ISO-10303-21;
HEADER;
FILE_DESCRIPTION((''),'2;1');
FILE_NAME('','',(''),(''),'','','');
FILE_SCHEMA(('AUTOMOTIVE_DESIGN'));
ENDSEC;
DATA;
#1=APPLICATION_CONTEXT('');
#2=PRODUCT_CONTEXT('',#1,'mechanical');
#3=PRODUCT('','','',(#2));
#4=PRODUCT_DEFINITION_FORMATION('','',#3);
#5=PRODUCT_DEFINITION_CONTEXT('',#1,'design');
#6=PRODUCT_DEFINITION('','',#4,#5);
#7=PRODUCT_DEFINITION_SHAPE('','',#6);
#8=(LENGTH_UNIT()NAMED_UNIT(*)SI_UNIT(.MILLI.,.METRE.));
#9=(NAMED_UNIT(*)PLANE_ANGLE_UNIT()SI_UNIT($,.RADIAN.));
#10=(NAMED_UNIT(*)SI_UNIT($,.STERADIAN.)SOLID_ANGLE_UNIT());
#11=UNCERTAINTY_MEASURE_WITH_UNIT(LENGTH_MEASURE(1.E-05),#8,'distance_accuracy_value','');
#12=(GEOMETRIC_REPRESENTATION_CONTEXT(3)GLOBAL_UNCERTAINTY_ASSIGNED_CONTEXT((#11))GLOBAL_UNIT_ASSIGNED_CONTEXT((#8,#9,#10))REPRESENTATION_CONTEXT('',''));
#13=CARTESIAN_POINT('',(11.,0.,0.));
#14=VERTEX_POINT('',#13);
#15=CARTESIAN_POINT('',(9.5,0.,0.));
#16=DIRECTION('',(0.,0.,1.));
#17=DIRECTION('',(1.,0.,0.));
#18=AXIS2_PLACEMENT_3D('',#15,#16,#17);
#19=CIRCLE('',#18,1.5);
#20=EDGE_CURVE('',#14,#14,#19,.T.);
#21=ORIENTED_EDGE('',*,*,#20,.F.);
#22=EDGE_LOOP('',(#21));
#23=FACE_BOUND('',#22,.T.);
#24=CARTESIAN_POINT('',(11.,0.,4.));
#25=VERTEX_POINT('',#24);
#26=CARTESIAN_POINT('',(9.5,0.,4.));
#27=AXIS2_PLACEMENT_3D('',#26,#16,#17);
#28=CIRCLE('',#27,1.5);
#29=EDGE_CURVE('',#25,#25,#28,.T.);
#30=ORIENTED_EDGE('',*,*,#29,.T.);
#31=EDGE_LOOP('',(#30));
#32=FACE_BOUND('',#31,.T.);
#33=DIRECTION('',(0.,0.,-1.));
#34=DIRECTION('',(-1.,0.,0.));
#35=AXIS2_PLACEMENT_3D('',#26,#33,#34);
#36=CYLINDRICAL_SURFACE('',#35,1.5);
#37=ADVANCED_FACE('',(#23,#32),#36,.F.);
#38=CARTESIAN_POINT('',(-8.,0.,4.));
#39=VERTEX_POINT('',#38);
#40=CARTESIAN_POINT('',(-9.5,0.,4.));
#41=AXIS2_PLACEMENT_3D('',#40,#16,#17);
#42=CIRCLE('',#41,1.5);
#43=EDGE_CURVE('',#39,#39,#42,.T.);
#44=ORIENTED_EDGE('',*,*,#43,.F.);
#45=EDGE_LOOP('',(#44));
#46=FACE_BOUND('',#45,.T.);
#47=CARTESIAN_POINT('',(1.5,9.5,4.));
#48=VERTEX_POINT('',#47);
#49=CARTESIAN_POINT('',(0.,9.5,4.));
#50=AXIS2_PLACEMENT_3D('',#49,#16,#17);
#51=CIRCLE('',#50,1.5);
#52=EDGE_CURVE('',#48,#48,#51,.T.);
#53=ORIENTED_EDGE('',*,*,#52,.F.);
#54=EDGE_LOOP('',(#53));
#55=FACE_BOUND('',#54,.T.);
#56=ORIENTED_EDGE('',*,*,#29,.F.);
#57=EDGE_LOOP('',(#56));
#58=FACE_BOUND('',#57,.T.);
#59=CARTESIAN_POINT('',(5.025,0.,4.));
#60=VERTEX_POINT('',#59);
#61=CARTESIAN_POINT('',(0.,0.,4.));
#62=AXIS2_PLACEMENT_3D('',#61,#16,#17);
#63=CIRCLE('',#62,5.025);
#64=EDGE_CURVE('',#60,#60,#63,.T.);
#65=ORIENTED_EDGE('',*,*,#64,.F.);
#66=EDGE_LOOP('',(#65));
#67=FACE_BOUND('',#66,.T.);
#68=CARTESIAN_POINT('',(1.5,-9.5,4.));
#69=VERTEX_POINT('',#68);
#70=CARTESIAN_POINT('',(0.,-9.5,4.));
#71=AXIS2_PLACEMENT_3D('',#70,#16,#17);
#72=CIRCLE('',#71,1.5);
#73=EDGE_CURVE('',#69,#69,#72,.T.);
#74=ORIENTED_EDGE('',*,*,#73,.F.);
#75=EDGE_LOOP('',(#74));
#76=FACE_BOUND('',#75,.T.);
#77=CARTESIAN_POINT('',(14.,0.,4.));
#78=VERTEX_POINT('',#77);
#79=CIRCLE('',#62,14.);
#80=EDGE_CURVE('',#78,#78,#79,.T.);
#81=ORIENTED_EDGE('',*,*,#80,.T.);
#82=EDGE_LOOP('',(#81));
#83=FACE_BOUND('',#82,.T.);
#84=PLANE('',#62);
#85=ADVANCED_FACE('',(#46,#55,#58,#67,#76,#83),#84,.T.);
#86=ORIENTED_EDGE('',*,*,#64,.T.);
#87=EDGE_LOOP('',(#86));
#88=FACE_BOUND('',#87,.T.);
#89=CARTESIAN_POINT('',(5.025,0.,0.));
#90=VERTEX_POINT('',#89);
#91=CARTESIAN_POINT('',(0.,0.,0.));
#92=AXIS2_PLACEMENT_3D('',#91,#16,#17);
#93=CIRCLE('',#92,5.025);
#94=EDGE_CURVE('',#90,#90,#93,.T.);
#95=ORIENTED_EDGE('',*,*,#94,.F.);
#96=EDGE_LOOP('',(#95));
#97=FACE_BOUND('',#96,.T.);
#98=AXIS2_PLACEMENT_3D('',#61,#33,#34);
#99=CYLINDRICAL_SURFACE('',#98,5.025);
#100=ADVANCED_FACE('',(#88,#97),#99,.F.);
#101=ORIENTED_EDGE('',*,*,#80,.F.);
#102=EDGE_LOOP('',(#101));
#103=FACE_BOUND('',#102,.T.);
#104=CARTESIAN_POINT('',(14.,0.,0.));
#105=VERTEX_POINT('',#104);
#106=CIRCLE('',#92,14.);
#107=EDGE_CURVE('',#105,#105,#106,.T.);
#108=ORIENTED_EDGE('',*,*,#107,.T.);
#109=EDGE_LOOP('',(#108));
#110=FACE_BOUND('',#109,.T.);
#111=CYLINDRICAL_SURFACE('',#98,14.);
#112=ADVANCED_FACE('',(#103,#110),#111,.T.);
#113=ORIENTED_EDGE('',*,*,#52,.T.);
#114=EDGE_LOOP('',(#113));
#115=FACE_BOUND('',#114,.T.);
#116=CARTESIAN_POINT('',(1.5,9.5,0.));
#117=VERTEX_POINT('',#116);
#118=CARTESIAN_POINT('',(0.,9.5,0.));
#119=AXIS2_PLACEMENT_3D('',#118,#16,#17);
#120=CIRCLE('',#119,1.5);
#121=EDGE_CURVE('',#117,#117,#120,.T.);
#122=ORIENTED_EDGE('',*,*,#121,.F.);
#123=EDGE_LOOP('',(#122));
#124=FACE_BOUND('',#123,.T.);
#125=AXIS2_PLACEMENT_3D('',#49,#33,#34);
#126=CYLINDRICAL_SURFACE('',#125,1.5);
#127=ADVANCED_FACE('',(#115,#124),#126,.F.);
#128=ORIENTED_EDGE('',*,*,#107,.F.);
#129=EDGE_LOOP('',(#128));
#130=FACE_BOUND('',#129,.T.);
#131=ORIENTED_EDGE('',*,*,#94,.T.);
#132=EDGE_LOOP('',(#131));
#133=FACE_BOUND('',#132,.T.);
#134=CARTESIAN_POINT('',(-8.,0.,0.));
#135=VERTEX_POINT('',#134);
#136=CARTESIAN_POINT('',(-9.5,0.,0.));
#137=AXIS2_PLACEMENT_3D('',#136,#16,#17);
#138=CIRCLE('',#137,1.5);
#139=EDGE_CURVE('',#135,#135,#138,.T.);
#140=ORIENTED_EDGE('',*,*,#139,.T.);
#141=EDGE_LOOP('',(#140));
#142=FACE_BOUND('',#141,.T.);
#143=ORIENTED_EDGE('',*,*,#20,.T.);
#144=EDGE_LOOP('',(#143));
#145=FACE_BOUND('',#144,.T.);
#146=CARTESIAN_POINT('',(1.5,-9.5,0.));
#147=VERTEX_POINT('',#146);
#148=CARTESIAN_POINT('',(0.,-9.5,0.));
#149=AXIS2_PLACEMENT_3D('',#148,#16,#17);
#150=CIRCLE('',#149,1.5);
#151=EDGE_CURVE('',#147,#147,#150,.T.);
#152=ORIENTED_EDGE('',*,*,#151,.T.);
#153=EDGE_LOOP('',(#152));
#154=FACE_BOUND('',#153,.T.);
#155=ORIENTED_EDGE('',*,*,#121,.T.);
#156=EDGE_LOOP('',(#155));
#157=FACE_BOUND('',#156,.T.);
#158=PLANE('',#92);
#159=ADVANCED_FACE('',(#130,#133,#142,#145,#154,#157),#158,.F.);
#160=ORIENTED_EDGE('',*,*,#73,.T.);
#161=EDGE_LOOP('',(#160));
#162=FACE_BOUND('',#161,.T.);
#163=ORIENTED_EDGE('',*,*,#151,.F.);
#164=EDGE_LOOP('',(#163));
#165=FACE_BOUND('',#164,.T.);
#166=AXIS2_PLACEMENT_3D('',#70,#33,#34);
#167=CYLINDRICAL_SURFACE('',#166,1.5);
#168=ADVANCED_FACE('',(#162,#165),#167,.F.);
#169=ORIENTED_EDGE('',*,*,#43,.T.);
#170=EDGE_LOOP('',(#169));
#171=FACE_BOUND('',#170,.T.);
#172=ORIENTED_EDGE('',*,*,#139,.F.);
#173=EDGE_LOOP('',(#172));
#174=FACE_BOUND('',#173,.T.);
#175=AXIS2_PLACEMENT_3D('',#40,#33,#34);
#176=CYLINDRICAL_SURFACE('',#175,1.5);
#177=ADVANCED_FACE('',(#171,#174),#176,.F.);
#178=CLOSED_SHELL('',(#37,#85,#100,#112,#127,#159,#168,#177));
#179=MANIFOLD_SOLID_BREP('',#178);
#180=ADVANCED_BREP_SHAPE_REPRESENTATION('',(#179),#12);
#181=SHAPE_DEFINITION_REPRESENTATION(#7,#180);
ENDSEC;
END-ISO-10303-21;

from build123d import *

# Parameters (mm, degrees)
SKETCH_1_R      = 14
SKETCH_1_R_2    = 5.025
SKETCH_1_R_3    = 1.5
EXTRUDE_1_DEPTH = 4


with BuildPart() as part:
    # 草图1 → 凸台-拉伸1 (new body)
    with BuildSketch(Plane.XY):
        Circle(SKETCH_1_R)
        Circle(SKETCH_1_R_2, mode=Mode.SUBTRACT)
        with Locations((0, -9.5)):
            Circle(SKETCH_1_R_3, mode=Mode.SUBTRACT)
        with Locations((-9.5, 0)):
            Circle(SKETCH_1_R_3, mode=Mode.SUBTRACT)
        with Locations((0, 9.5)):
            Circle(SKETCH_1_R_3, mode=Mode.SUBTRACT)
        with Locations((9.5, 0)):
            Circle(SKETCH_1_R_3, mode=Mode.SUBTRACT)
    extrude(amount=EXTRUDE_1_DEPTH)


solid = part.part
